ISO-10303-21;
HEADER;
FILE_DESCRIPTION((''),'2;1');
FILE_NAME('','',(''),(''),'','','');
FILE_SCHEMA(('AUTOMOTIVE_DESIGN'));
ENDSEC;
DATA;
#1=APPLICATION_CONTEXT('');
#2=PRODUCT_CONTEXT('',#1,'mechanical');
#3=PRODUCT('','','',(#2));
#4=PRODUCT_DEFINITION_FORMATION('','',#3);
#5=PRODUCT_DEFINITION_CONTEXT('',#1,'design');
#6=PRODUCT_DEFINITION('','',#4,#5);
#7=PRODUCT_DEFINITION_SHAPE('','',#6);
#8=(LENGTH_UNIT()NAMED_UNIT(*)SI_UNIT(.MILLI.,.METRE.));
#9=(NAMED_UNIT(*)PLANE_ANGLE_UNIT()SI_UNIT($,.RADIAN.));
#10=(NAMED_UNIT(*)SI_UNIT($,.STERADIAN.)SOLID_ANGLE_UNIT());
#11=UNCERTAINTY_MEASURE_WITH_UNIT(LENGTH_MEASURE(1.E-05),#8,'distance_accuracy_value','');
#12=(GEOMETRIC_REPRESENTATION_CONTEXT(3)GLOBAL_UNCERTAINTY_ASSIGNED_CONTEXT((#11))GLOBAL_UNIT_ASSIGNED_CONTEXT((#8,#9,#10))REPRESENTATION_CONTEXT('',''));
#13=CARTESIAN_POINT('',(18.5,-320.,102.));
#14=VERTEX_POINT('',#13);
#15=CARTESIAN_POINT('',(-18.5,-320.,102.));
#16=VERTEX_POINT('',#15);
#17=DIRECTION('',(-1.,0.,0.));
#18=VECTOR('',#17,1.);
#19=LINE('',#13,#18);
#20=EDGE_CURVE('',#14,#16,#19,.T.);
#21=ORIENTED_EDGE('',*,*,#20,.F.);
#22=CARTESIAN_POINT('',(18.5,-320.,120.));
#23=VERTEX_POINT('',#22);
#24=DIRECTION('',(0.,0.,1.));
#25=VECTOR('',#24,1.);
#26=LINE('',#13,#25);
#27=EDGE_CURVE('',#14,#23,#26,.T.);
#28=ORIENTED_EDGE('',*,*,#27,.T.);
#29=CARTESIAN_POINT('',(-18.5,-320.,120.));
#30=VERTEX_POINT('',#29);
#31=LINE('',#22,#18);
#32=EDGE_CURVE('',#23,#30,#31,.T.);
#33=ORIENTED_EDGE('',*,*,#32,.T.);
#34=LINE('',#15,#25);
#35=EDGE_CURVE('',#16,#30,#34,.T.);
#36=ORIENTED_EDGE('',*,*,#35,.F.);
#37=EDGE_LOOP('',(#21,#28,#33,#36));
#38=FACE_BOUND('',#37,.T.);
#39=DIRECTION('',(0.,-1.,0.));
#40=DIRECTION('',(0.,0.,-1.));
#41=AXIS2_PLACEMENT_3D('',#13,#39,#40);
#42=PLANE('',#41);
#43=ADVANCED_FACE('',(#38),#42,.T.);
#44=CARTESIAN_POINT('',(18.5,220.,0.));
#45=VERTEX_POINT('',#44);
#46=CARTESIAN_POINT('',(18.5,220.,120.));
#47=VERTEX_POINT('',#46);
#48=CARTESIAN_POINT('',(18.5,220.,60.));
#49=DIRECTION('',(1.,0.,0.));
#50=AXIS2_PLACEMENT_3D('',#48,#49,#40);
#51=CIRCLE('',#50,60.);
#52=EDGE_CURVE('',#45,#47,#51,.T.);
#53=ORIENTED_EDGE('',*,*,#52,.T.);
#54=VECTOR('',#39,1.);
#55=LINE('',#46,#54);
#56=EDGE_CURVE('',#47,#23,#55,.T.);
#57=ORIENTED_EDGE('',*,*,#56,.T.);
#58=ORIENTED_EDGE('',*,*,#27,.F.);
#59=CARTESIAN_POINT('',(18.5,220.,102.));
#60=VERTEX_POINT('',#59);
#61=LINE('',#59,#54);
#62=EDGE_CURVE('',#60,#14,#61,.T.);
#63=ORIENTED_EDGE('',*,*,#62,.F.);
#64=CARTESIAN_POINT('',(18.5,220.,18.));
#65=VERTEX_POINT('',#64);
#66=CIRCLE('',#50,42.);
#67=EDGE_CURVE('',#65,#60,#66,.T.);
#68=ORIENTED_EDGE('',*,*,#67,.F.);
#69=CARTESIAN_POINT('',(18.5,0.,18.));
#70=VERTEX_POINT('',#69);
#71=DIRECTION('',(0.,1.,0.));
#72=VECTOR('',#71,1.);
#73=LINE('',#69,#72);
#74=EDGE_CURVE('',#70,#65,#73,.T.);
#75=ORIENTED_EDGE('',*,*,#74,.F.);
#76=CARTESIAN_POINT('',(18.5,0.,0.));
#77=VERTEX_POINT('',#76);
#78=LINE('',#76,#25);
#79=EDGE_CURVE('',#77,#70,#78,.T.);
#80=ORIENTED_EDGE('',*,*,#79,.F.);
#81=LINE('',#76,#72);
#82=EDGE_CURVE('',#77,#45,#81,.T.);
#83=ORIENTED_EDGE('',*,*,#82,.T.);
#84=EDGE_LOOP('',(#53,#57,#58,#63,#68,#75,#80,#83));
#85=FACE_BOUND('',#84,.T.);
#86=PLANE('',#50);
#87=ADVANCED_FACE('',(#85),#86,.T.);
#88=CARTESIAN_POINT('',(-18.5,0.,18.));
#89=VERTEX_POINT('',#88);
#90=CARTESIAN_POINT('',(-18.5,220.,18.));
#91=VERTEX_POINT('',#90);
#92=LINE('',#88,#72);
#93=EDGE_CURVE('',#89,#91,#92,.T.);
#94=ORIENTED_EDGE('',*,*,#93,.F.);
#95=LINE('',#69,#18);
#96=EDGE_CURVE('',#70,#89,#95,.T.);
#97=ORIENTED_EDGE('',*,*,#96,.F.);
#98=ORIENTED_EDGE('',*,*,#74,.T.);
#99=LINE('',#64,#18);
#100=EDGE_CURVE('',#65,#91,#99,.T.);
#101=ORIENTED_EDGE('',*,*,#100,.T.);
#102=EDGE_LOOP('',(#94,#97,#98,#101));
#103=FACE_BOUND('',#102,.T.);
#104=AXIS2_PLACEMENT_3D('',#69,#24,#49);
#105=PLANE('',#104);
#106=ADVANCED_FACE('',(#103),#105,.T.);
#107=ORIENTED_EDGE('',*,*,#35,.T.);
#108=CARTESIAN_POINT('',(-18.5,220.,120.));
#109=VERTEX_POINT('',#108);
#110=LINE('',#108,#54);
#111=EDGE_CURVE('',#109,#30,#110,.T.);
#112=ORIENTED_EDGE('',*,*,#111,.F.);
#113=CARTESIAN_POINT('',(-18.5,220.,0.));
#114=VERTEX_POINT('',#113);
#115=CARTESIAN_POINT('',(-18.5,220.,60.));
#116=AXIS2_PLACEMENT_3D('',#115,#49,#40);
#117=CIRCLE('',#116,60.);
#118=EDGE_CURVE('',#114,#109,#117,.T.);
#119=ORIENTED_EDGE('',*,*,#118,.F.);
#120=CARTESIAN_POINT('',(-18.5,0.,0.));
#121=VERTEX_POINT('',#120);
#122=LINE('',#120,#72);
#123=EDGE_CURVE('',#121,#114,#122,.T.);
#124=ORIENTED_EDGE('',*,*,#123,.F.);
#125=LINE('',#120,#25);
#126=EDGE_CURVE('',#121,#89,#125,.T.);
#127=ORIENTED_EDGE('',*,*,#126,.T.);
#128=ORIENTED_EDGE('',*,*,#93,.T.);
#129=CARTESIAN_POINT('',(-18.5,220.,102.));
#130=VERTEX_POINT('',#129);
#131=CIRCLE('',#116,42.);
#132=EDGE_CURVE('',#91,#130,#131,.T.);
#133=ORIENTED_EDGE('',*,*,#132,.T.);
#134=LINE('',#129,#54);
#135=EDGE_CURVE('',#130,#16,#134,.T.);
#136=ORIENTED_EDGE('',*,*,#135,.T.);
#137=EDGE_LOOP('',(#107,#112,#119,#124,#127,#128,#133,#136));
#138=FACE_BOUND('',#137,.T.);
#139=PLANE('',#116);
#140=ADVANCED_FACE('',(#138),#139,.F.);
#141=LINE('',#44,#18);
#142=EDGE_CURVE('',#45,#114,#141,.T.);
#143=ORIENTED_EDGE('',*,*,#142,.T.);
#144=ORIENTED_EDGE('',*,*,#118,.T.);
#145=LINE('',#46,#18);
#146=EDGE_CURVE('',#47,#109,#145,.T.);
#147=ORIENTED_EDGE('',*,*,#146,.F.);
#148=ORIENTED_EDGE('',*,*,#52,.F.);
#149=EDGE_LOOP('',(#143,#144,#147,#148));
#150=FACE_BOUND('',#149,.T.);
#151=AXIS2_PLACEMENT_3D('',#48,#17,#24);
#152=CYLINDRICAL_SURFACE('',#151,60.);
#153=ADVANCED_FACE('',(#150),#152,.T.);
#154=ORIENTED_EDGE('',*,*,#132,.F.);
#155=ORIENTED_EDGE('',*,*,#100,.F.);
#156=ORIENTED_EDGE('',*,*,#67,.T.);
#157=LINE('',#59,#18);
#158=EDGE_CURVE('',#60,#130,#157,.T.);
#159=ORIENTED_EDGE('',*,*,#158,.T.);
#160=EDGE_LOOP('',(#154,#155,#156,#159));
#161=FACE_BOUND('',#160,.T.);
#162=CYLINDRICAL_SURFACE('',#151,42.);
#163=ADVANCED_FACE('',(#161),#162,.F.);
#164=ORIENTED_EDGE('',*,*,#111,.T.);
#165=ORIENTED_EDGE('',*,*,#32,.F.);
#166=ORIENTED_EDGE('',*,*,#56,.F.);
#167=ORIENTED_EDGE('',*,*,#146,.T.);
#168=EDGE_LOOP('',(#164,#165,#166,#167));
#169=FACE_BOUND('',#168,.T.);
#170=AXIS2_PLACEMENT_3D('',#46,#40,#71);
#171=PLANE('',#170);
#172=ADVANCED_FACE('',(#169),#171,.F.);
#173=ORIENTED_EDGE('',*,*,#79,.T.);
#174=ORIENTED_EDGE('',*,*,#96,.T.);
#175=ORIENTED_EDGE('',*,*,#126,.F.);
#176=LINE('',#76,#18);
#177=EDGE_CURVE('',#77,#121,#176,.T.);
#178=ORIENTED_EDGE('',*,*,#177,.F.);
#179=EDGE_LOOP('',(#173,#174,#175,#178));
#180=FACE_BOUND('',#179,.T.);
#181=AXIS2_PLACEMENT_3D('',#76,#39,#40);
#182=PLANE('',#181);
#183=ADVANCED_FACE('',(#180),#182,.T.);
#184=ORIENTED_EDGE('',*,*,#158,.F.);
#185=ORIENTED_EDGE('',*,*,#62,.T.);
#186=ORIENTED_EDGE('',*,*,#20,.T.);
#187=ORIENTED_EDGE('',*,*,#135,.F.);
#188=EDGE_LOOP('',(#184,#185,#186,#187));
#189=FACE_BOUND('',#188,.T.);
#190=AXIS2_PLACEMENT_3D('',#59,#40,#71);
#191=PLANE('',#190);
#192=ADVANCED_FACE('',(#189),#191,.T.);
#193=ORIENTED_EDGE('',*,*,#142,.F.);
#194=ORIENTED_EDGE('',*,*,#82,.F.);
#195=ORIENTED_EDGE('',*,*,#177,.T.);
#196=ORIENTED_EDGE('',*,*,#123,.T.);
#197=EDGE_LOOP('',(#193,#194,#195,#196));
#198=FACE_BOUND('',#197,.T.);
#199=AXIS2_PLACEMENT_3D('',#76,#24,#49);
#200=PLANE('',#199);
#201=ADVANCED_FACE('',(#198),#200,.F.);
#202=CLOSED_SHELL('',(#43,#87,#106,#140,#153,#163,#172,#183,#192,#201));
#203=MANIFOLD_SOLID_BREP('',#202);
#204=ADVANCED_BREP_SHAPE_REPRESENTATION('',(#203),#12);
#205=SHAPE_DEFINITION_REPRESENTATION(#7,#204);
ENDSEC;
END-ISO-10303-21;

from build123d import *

# Parameters (mm, degrees)
WYCI_GNI_CIE_CIENKA_CIANKA1_DEPTH = 18.5


with BuildPart() as part:
    # Szkic1 → Wyciągnięcie-cienka ścianka1 (new, symmetric)
    with BuildSketch(Plane(origin=(0, 0, 0), x_dir=(0, 0, -1), z_dir=(1, 0, 0))):
        with BuildLine():
            Line((0, 0), (0, 220))
            ThreePointArc((0, 220), (-60, 280), (-120, 220))
            Line((-120, 220), (-120, -320))
            Line((-120, -320), (-102, -320))
            Line((-102, -320), (-102, 220))
            ThreePointArc((-102, 220), (-60, 262), (-18, 220))
            Line((-18, 220), (-18, 0))
            Line((-18, 0), (0, 0))
        make_face()
    extrude(amount=WYCI_GNI_CIE_CIENKA_CIANKA1_DEPTH, both=True)


solid = part.part
